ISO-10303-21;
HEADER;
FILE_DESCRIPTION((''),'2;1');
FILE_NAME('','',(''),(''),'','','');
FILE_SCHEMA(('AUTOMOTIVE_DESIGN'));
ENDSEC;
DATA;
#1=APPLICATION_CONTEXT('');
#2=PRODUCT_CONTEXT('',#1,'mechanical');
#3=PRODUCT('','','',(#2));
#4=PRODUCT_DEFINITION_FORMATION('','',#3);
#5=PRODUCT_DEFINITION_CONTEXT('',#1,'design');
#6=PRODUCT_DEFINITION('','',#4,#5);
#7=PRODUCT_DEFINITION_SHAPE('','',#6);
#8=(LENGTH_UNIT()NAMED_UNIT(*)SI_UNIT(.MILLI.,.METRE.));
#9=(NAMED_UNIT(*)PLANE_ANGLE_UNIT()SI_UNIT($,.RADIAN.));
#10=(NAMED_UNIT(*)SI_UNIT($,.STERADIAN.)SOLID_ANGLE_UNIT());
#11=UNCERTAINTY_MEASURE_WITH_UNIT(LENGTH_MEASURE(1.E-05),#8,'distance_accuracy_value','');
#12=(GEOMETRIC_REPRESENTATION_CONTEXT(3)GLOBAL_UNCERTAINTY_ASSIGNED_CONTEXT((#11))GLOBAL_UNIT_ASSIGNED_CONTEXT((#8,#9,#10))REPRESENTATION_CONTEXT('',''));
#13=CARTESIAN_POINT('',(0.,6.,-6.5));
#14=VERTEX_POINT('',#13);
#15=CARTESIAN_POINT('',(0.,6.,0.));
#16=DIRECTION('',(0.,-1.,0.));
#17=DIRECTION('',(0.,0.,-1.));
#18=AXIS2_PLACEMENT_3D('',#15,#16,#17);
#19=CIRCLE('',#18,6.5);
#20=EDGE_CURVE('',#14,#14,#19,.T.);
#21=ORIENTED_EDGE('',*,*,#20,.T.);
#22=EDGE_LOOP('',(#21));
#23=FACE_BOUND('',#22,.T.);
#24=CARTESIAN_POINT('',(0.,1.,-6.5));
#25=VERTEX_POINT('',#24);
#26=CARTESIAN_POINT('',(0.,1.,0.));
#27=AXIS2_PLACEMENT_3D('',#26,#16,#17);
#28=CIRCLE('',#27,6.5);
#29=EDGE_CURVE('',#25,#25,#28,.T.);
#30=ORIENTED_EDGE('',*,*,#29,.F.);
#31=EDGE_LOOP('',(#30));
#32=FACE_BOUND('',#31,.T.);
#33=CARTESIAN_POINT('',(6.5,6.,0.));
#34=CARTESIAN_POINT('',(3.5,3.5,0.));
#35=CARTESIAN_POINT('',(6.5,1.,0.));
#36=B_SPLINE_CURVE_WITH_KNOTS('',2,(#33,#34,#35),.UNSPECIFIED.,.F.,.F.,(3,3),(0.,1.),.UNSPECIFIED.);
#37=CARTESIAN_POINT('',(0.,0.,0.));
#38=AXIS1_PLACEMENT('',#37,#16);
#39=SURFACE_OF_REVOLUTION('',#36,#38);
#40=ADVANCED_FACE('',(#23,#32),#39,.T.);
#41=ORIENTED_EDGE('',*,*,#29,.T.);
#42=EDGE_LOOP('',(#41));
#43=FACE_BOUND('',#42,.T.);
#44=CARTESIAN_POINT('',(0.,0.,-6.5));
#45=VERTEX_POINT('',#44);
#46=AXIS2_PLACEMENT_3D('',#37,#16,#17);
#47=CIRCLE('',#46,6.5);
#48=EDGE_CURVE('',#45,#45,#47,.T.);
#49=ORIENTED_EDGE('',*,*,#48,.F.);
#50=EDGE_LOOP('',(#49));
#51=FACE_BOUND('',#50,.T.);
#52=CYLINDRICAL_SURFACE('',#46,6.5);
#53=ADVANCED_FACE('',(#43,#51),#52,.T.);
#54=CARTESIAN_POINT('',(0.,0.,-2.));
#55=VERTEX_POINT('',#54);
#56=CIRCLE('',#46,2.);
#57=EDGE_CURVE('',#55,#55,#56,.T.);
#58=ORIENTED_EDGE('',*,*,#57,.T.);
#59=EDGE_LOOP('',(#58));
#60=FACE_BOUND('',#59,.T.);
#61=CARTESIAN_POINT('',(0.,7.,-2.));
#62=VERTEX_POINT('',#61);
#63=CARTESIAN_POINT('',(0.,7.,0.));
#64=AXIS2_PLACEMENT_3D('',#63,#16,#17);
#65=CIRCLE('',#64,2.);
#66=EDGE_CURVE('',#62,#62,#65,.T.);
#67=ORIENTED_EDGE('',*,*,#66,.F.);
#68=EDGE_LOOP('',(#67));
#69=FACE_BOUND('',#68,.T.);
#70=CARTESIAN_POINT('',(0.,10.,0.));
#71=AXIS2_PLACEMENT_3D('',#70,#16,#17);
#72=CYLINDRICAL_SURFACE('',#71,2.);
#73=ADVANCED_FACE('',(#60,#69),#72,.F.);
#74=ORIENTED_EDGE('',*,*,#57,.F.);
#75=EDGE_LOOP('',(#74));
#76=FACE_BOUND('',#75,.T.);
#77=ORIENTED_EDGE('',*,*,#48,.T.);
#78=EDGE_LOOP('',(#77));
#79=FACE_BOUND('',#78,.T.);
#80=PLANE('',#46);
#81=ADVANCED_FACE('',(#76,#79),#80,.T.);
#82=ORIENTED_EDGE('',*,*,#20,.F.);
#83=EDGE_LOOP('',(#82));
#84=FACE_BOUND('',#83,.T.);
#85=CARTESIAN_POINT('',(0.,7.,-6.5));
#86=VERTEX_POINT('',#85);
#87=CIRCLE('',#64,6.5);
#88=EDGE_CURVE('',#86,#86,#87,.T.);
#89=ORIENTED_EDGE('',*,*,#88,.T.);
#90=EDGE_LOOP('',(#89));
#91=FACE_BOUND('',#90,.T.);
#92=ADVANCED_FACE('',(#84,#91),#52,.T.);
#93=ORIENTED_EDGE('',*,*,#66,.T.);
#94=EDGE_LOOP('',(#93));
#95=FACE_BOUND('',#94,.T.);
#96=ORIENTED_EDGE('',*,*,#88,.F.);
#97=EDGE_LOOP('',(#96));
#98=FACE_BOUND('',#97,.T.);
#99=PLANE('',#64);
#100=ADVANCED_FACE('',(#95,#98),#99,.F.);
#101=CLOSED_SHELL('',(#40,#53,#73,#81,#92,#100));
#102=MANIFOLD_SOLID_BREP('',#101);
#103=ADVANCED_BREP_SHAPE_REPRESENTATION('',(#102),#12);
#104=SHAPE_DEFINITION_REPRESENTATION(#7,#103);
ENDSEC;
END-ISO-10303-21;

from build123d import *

# Parameters (mm, degrees)
SKETCH_2_R          = 2
CUT_EXTRUDE_1_DEPTH = 10


with BuildPart() as part:
    # ｽｹｯﾁ1 → 回転1 (revolve)
    with BuildSketch(Plane.XY, mode=Mode.PRIVATE) as revolve_1_sk:
        with BuildLine():
            add(Edge.make_bspline(
                [(6.5, 6), (3.5, 3.5), (6.5, 1)],
                knots=[0, 0, 0, 1, 1, 1], degree=2))
            Line((6.5, 1), (6.5, 0))
            Line((6.5, 0), (0, 0))
            Line((0, 0), (0, 7))
            Line((0, 7), (6.5, 7))
            Line((6.5, 7), (6.5, 6))
        make_face()
    revolve(revolve_1_sk.sketch.rotate(Axis((0, 0, 0), (0, 1, 0)), 90), axis=Axis((0, 0, 0), (0, 1, 0)))

    # ｽｹｯﾁ2 → ｶｯﾄ - 押し出し1 (cut)
    with BuildSketch(Plane.XZ):
        with Locations(Location((0, 0, 0), (0, 0, 270))):
            Circle(SKETCH_2_R)
    extrude(amount=-CUT_EXTRUDE_1_DEPTH, mode=Mode.SUBTRACT)


solid = part.part
